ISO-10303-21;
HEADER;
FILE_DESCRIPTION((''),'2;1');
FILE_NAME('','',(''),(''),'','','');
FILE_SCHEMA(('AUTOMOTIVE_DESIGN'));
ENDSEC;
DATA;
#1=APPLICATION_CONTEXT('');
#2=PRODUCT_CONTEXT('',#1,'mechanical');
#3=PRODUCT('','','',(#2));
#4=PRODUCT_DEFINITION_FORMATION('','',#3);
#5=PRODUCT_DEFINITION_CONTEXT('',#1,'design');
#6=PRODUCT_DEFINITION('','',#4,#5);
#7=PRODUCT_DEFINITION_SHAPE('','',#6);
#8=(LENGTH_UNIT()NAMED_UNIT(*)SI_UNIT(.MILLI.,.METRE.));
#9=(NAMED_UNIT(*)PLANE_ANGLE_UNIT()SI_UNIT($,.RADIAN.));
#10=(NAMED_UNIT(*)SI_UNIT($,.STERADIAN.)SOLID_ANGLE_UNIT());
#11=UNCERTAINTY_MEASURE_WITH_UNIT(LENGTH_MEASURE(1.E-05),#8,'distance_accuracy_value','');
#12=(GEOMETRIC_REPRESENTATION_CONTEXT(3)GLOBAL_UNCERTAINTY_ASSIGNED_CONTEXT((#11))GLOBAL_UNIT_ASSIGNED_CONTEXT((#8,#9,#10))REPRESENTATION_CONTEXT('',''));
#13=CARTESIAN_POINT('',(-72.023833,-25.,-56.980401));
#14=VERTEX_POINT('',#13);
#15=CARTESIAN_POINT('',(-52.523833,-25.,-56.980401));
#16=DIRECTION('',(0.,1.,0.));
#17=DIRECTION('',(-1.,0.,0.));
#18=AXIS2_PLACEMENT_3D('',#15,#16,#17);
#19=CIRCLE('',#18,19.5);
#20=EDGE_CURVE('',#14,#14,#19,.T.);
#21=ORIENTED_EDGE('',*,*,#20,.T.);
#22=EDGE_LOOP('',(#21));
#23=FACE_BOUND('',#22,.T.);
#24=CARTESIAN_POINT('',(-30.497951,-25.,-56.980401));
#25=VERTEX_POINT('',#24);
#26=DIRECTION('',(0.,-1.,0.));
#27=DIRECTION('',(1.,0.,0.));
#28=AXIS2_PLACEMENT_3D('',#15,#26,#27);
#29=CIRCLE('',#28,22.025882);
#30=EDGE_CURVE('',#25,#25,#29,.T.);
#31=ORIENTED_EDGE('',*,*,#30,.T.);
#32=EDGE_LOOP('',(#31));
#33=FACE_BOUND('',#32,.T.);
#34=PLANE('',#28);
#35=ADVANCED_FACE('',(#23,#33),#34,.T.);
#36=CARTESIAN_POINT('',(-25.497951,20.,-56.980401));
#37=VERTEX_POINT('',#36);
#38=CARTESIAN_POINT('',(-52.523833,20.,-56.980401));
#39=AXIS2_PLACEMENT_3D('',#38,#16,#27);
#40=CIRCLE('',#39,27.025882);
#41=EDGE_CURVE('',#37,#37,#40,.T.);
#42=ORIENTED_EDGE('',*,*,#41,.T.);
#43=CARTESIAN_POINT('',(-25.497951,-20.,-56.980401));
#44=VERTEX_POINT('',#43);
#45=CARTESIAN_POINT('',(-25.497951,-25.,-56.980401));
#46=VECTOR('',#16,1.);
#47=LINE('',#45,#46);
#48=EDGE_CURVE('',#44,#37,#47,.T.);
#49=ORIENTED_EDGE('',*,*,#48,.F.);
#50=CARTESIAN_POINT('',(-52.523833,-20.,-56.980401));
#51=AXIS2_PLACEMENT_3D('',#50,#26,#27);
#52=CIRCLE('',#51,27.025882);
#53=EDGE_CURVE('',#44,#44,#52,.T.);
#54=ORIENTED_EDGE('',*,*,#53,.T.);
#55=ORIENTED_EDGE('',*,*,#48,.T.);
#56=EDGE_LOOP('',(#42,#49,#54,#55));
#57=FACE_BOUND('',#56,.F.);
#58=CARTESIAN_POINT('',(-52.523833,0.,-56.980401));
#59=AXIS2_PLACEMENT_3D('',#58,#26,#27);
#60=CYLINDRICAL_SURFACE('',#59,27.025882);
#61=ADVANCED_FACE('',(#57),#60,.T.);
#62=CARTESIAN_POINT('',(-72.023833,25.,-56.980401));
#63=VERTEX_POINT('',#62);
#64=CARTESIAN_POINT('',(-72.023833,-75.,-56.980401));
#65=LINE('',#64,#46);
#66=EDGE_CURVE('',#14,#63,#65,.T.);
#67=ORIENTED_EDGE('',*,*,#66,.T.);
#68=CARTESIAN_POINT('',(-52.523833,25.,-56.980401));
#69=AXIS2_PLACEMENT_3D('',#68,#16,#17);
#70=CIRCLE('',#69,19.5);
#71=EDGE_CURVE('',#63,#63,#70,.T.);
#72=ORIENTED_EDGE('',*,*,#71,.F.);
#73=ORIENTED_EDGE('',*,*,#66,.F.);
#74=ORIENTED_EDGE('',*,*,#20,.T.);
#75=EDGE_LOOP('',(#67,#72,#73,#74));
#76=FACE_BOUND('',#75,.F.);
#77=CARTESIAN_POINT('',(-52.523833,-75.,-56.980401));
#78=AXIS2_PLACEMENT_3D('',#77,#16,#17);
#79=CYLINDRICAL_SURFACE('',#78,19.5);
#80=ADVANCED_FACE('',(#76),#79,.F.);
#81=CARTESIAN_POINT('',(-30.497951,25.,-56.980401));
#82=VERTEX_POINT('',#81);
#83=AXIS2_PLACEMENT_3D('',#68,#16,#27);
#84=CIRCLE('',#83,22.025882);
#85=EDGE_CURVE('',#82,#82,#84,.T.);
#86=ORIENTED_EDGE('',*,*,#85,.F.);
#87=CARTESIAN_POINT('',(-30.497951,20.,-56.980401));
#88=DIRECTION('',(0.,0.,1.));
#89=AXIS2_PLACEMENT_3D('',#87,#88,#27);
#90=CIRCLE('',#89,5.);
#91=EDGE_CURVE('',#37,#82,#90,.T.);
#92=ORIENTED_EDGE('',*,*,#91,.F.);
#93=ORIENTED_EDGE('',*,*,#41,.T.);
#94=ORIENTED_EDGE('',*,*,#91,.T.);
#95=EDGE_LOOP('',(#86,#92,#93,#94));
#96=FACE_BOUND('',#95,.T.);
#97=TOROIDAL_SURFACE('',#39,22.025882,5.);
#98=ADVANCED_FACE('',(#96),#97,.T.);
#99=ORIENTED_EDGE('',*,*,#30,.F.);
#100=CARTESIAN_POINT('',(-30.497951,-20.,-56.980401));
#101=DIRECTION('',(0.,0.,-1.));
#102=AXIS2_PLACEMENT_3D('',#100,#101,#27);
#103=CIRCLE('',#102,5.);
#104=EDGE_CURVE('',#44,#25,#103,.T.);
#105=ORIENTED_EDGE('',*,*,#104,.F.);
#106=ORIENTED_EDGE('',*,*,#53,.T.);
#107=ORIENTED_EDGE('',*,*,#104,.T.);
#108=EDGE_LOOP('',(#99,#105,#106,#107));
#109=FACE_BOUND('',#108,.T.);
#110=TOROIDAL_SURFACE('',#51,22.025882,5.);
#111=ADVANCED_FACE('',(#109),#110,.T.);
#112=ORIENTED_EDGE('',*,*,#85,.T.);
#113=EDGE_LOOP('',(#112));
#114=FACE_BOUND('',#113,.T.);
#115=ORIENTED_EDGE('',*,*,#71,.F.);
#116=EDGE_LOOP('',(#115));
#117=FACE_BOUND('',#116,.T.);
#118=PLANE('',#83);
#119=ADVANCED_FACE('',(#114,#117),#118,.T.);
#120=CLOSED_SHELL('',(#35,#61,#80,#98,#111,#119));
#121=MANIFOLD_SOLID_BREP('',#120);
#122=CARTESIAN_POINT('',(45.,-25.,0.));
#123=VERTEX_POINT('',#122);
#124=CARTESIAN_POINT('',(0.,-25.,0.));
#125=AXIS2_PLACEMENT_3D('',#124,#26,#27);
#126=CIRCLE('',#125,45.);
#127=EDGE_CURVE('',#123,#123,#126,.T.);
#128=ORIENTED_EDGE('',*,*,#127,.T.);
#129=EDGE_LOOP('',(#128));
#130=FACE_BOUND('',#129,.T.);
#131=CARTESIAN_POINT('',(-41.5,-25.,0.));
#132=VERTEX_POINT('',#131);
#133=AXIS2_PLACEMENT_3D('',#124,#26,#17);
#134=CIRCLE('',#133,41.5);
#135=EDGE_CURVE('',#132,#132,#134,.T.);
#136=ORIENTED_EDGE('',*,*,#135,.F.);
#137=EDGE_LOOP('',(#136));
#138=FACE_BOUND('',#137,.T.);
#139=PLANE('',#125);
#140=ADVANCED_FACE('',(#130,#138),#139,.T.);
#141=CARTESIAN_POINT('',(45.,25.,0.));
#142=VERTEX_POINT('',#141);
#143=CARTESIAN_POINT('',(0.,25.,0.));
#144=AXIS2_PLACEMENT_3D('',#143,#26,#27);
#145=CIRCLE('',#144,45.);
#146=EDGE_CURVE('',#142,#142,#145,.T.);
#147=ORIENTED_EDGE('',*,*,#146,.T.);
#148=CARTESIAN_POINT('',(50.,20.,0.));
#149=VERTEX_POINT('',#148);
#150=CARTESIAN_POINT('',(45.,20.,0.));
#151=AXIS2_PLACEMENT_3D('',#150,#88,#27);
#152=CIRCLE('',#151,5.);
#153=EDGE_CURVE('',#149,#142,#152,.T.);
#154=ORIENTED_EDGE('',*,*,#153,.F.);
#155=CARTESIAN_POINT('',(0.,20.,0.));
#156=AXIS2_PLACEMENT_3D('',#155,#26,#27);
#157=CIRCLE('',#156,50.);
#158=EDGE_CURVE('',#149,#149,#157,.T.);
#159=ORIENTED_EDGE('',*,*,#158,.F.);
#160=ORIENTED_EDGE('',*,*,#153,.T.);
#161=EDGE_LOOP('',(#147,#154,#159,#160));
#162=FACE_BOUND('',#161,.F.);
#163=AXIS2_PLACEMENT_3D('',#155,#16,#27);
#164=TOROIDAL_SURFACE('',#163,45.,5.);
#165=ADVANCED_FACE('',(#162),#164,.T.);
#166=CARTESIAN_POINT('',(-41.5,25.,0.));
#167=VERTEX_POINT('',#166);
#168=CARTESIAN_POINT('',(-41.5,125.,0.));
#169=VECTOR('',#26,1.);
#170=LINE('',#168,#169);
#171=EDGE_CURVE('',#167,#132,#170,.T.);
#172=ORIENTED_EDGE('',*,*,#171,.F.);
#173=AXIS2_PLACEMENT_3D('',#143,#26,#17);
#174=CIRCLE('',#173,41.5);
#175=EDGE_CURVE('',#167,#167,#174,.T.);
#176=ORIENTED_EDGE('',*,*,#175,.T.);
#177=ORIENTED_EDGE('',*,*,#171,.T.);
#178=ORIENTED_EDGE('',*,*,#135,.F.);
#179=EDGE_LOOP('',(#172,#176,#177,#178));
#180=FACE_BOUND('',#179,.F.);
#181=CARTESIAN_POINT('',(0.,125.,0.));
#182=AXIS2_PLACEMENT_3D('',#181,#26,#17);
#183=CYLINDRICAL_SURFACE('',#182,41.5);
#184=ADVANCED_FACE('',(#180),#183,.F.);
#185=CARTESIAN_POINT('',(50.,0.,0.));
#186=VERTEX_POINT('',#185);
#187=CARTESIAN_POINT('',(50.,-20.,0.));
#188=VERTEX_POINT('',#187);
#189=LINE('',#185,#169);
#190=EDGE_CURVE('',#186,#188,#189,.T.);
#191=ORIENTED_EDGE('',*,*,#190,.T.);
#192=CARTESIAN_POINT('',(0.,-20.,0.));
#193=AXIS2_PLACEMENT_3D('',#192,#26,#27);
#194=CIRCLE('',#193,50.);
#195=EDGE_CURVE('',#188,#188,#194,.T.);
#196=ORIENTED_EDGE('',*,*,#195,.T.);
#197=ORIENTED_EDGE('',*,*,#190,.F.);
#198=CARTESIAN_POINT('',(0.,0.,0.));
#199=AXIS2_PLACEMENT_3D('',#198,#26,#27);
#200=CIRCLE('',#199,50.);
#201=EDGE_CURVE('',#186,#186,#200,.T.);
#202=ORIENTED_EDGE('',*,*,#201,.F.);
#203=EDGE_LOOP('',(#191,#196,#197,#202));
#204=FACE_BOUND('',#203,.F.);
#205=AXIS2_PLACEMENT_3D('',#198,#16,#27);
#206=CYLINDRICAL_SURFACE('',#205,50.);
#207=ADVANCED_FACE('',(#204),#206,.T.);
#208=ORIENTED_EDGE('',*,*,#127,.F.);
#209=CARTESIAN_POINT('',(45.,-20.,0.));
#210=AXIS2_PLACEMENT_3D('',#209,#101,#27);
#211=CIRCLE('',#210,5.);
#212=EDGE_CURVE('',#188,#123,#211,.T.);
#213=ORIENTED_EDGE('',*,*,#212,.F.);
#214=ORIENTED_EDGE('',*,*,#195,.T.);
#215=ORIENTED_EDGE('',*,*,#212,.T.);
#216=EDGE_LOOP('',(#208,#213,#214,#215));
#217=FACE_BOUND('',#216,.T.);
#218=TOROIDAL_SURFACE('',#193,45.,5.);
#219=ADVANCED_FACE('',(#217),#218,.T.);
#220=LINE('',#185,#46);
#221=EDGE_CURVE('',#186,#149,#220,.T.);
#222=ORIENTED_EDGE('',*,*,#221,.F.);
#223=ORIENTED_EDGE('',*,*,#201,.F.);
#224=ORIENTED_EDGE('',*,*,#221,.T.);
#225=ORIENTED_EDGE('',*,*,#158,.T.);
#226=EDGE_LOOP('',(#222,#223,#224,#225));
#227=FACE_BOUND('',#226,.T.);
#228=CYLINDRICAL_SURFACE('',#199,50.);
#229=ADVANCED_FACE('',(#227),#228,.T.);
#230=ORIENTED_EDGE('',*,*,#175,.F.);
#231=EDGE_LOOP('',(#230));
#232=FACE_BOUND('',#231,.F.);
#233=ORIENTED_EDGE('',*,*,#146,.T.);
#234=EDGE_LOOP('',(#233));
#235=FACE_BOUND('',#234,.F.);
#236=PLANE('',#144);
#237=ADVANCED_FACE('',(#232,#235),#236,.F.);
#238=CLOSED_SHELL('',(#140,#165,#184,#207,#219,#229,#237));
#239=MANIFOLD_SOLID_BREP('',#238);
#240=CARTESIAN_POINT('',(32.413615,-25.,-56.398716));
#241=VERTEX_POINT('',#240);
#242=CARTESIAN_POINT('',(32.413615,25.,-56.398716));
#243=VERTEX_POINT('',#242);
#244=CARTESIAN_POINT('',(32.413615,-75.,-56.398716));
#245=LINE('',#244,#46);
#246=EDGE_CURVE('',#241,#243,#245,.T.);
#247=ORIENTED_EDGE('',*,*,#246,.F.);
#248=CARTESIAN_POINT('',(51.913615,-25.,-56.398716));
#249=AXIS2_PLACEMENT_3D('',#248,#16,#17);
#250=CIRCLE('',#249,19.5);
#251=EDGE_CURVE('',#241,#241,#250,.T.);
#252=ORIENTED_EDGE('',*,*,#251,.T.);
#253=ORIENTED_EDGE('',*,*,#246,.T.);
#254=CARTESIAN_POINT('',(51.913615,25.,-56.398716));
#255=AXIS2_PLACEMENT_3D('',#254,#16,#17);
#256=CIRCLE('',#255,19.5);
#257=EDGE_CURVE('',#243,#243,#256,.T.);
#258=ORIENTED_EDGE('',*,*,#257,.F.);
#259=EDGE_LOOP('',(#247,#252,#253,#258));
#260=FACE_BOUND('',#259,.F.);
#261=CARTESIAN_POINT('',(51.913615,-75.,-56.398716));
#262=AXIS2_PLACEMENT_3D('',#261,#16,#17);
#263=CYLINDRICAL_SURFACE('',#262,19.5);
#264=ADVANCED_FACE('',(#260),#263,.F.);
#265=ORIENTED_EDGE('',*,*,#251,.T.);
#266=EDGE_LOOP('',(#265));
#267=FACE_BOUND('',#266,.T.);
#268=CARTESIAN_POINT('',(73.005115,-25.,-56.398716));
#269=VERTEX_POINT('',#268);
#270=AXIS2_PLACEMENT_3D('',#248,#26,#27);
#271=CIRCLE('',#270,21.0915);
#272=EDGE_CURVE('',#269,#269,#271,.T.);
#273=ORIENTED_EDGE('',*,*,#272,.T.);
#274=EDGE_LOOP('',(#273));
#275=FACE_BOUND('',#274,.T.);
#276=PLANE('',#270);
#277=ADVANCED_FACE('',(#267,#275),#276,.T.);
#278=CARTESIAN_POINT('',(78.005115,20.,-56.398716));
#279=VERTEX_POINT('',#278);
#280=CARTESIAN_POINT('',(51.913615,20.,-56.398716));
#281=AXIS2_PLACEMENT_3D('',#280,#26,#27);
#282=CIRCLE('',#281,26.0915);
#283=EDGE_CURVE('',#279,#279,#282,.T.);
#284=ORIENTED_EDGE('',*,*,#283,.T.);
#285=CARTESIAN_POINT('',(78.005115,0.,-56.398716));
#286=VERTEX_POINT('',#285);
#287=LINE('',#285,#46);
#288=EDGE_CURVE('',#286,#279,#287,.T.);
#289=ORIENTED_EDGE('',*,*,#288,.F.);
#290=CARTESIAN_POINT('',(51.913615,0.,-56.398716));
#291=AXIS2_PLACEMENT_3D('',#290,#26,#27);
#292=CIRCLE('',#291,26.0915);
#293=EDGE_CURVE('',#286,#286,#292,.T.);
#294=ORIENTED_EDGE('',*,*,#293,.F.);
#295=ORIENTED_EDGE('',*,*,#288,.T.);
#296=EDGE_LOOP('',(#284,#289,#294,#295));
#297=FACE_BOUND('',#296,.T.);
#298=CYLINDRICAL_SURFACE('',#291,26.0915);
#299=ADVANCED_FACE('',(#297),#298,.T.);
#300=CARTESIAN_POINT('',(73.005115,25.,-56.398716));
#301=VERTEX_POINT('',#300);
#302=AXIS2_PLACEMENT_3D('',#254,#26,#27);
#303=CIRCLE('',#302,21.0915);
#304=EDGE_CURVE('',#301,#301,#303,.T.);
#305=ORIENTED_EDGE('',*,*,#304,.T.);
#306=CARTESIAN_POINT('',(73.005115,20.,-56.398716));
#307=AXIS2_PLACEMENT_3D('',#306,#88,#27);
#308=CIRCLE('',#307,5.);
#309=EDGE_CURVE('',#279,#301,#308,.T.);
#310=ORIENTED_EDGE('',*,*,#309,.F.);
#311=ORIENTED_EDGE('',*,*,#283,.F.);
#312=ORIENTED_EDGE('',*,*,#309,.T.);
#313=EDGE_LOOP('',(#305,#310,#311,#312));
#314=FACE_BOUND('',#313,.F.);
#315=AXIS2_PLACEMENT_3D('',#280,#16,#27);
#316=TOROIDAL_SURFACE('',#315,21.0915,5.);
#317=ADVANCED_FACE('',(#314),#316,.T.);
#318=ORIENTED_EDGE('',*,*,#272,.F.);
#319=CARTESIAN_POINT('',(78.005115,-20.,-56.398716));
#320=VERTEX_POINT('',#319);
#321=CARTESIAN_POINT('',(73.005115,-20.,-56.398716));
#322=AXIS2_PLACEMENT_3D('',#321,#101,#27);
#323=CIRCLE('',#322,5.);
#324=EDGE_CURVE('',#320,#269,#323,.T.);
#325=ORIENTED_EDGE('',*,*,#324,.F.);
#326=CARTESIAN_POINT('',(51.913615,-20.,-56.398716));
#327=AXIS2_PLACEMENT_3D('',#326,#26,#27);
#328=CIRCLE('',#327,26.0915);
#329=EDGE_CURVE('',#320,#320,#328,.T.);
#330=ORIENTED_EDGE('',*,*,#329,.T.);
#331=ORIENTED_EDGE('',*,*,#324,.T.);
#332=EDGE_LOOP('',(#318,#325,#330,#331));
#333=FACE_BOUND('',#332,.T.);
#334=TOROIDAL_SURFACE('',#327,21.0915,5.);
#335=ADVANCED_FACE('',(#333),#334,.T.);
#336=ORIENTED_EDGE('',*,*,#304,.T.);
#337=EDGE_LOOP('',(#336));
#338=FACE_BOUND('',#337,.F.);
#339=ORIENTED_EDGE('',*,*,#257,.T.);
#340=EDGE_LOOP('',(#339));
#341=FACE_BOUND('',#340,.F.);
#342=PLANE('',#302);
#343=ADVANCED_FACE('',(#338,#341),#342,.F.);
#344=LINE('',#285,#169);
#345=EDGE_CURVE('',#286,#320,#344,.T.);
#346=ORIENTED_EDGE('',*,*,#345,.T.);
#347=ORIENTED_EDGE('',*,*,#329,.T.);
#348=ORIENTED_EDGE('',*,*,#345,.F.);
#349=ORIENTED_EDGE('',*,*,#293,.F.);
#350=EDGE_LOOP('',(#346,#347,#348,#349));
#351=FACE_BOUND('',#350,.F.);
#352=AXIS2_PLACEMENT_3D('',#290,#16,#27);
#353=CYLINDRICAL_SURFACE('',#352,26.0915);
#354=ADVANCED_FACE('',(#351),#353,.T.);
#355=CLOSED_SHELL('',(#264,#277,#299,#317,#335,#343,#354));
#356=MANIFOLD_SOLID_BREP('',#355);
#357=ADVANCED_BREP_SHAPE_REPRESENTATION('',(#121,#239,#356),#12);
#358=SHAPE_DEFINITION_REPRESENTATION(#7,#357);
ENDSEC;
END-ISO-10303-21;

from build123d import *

# Parameters (mm, degrees)
F0_R      = 50
F1_DEPTH  = 25
F1_FACE_R = 50
F2_DEPTH  = 25
F3_R      = 5
F4_R      = 26.0915
F5_DEPTH  = 25
F5_FACE_R = 26.0915
F6_DEPTH  = 25
F7_R      = 27.025882
F8_DEPTH  = 25
F8_FACE_R = 27.025882
F9_DEPTH  = 25
F10_R     = 5
F10_2_R   = 5
F12_D     = 83
F12_DEPTH = 125
F14_D     = 83
F14_DEPTH = 125
F16_D     = 39
F16_DEPTH = 50
F18_D     = 39
F18_DEPTH = 50


with BuildPart() as f1:
    # F0 (on Front) → F1 (new body)
    with BuildSketch(Plane.XZ):
        Circle(F0_R)
    extrude(amount=-F1_DEPTH)

    # F1_face (on face) → F2 (join)
    with BuildSketch(Plane.XZ):
        Circle(F1_FACE_R)
    extrude(amount=F2_DEPTH)

    # F3
    f3_edges = [f1.edges().sort_by_distance(p)[0] for p in [
        (-50, 25, 0),
        (-50, -25, 0),
    ]]
    fillet(f3_edges, radius=F3_R)

    # F12
    with Locations(Plane(origin=(0, 0, 0), x_dir=(1, 0, 0), z_dir=(0, 1, 0))):
        with Locations((0, 0)):
            Hole(F12_D / 2, depth=F12_DEPTH)

    # F14
    with Locations(Plane.XZ):
        with Locations((0, 0)):
            Hole(F14_D / 2, depth=F14_DEPTH)


with BuildPart() as f5:
    # F4 (on Front) → F5 (new body)
    with BuildSketch(Plane.XZ):
        with Locations((51.913615, -56.398716)):
            Circle(F4_R)
    extrude(amount=-F5_DEPTH)

    # F5_face (on face) → F6 (join)
    with BuildSketch(Plane(origin=(51.913615, 0, -56.398716), x_dir=(1, 0, 0), z_dir=(0, -1, 0))):
        Circle(F5_FACE_R)
    extrude(amount=F6_DEPTH)

    # F10
    f10_edges = [f5.edges().sort_by_distance(p)[0] for p in [
        (25.822115, -25, -56.398716),
        (25.822115, 25, -56.398716),
    ]]
    fillet(f10_edges, radius=F10_R)

    # F18
    with Locations(Plane.XZ.offset(25)):
        with Locations((51.913615, -56.398716)):
            Hole(F18_D / 2, depth=F18_DEPTH)


with BuildPart() as f8:
    # F7 (on Front) → F8 (new body)
    with BuildSketch(Plane.XZ):
        with Locations((-52.523833, -56.980401)):
            Circle(F7_R)
    extrude(amount=F8_DEPTH)

    # F8_face (on face) → F9 (join)
    with BuildSketch(Plane(origin=(-52.523833, 0, -56.980401), x_dir=(1, 0, 0), z_dir=(0, 1, 0))):
        Circle(F8_FACE_R)
    extrude(amount=F9_DEPTH)

    # F10#2
    f10_2_edges = [f8.edges().sort_by_distance(p)[0] for p in [
        (-79.549715, -25, -56.980401),
        (-79.549715, 25, -56.980401),
    ]]
    fillet(f10_2_edges, radius=F10_2_R)

    # F16
    with Locations(Plane.XZ.offset(25)):
        with Locations((-52.523833, -56.980401)):
            Hole(F16_D / 2, depth=F16_DEPTH)


solid = Compound([f1.part, f5.part, f8.part])
